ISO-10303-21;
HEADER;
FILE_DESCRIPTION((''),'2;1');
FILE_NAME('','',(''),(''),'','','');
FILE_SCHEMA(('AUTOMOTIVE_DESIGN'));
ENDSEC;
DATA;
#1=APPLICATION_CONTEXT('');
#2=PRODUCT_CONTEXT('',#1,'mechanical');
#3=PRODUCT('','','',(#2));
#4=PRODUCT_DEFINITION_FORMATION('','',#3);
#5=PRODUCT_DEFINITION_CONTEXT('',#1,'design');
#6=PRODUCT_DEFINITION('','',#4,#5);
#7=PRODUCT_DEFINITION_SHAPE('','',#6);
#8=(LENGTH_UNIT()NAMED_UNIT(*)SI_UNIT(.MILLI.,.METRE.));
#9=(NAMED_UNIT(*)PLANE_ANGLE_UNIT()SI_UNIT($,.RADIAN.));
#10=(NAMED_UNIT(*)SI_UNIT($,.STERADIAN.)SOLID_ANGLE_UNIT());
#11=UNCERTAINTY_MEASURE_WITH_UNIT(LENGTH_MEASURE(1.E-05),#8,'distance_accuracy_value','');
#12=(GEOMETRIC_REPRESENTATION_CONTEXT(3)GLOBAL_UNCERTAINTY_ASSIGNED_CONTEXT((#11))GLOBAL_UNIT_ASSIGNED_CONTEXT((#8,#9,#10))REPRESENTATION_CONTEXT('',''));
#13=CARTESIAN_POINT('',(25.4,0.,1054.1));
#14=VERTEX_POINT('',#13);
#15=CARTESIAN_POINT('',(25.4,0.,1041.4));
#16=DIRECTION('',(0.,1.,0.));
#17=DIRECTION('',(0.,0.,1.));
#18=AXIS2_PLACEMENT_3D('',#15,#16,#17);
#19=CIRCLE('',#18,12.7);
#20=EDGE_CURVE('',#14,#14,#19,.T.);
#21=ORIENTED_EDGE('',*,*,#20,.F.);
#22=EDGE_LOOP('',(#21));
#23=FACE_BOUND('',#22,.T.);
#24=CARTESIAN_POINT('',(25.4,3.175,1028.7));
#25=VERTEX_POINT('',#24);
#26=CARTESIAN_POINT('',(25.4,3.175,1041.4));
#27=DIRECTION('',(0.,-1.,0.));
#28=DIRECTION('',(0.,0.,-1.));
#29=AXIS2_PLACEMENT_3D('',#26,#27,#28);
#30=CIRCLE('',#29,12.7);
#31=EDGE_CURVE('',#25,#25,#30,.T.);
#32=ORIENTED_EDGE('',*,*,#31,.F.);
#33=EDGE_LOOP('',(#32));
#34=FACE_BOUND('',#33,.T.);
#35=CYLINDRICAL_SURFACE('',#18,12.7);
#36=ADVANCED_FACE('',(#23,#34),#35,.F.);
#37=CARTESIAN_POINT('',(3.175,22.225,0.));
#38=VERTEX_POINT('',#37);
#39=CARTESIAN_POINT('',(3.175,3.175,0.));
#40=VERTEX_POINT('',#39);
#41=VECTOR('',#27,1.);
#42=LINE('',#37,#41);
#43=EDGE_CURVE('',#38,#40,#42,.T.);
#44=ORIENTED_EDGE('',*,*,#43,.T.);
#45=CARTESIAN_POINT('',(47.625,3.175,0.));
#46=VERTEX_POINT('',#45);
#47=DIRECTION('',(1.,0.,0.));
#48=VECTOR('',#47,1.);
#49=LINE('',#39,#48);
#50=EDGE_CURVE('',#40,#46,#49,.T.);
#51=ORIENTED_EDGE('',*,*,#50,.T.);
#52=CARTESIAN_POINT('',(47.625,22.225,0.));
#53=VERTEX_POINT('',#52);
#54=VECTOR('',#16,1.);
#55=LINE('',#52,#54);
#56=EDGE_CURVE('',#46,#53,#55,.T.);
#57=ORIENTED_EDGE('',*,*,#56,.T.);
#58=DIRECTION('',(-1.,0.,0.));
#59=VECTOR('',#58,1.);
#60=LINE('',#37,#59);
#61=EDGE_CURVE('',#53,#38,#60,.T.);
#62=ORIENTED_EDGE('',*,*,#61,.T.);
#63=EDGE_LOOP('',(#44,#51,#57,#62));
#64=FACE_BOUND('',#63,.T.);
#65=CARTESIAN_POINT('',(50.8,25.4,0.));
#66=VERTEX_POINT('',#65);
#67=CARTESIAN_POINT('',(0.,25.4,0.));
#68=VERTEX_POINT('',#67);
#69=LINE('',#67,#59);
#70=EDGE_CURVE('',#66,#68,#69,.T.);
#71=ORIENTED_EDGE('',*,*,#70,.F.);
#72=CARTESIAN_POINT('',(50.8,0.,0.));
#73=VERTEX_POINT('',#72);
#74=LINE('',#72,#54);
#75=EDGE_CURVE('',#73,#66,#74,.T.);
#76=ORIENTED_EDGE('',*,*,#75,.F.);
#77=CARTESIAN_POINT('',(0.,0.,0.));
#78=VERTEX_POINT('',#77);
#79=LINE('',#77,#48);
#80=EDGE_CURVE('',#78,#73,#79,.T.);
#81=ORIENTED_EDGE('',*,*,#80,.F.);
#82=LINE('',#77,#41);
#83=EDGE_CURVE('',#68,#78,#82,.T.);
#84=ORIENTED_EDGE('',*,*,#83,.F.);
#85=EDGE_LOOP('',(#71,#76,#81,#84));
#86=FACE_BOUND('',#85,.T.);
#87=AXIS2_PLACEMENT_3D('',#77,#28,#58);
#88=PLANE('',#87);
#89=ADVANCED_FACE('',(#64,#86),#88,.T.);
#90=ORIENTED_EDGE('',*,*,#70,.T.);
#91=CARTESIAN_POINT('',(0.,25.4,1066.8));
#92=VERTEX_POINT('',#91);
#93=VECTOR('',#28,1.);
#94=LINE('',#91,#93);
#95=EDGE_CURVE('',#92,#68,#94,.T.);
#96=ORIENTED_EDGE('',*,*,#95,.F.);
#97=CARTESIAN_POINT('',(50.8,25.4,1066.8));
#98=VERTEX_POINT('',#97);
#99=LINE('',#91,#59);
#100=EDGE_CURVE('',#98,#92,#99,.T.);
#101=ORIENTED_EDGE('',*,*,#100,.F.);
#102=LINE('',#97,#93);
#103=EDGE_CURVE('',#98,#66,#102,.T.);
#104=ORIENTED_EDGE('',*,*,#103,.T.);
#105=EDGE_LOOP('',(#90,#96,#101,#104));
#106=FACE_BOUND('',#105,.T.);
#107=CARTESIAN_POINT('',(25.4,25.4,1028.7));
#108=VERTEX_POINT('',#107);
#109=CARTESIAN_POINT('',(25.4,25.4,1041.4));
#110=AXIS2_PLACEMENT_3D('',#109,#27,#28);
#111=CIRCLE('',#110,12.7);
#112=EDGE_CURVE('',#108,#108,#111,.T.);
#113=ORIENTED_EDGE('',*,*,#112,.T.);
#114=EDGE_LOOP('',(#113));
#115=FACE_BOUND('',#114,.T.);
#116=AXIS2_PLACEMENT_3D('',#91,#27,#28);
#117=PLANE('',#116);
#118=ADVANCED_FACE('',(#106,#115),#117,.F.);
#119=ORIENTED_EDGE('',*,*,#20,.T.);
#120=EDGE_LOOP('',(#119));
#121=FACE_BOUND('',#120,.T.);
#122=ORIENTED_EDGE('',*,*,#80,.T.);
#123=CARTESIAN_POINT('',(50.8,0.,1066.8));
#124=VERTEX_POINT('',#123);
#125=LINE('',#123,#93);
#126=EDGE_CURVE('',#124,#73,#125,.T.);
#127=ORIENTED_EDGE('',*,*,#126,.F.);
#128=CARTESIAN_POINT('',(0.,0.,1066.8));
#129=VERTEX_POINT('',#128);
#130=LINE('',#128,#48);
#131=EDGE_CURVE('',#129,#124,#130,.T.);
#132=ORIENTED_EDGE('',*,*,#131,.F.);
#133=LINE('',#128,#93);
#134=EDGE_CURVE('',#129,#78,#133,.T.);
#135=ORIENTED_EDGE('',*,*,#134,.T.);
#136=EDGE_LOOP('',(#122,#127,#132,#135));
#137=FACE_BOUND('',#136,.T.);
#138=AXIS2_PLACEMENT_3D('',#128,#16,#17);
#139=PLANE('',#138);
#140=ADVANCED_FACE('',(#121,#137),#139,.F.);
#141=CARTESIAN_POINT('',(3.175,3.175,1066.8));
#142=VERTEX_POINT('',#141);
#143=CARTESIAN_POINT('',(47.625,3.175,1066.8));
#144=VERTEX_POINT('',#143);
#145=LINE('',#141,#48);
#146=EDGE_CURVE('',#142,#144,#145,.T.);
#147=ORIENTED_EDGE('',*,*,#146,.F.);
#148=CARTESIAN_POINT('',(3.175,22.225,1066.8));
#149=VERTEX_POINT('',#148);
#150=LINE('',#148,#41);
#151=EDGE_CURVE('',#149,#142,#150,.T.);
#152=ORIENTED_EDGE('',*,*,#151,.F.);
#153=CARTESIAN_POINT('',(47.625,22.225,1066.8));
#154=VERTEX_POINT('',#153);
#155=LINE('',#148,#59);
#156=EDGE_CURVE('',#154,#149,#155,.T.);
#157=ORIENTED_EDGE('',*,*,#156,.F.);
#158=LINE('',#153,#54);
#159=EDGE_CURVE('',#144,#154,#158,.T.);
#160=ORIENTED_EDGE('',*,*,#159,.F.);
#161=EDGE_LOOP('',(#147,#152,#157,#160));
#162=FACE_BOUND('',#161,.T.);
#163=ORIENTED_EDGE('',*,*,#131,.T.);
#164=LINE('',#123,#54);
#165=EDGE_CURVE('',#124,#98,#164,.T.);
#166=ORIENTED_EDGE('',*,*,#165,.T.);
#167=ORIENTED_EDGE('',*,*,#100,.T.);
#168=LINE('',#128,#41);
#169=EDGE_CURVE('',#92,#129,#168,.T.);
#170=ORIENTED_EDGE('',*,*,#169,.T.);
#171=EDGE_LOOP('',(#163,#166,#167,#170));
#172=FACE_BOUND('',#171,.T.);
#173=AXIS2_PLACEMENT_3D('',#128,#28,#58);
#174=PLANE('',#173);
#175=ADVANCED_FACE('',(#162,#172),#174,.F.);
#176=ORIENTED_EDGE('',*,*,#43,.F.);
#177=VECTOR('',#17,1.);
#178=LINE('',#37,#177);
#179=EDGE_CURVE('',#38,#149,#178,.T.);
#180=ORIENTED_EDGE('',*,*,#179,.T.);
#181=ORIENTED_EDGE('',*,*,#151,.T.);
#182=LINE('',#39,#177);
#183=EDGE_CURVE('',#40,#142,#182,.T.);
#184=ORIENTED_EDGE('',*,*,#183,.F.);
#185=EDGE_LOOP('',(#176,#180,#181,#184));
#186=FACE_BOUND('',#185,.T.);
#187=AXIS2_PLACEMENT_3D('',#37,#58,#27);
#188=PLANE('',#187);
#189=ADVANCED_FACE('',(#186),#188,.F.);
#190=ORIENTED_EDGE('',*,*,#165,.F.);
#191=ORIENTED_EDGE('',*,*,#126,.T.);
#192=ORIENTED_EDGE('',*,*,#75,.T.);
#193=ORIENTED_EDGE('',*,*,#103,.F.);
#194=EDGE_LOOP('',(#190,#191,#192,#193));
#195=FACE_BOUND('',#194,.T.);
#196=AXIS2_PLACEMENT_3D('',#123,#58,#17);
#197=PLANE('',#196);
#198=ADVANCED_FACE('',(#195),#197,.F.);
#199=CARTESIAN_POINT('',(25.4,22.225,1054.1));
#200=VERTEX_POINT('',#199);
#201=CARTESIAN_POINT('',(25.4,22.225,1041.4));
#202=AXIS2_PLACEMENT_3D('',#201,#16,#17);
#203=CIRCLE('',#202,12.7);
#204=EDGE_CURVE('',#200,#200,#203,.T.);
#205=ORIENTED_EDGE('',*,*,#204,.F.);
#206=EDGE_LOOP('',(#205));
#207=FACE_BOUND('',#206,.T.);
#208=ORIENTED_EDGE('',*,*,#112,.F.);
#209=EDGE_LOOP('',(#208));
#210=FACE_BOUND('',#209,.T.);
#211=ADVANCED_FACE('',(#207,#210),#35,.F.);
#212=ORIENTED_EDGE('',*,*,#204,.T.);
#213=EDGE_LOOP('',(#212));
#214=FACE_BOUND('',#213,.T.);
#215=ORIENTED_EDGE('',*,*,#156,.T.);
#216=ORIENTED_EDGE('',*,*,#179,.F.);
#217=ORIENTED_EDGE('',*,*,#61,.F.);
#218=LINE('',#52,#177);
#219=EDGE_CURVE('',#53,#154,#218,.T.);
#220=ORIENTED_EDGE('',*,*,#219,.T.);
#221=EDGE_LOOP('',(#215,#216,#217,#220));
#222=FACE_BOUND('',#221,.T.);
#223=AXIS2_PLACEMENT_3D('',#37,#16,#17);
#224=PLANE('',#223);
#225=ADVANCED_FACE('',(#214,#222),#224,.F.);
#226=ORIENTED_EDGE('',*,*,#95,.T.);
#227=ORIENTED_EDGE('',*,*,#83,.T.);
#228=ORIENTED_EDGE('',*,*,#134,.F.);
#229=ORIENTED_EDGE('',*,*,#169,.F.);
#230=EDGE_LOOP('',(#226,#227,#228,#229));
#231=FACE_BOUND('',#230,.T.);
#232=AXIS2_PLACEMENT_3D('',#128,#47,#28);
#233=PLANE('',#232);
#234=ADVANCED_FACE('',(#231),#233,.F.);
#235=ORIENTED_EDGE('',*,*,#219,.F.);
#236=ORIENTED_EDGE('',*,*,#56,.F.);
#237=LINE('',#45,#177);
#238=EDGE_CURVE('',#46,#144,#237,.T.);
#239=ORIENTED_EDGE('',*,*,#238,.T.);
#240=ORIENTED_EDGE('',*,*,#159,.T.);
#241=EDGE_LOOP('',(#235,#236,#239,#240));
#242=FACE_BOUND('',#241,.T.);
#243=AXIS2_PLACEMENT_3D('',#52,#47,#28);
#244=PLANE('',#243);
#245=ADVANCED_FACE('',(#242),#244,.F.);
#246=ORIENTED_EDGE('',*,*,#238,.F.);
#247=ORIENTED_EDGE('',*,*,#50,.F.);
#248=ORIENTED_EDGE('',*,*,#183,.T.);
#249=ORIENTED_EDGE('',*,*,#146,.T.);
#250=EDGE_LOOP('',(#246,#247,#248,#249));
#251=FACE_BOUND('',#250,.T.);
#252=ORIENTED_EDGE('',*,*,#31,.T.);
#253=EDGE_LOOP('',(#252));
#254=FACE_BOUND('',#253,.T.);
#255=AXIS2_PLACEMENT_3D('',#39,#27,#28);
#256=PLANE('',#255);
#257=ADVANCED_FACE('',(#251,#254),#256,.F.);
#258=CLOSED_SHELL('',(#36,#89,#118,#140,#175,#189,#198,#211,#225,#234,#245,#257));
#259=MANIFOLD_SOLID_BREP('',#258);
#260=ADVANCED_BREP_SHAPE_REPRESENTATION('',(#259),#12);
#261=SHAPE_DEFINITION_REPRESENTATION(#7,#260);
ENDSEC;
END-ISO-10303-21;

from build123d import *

# Parameters (mm, degrees)
SKETCH1_W               = 50.8
SKETCH1_H               = 25.4
BOSS_EXTRUDE2_DEPTH     = 1066.8
CUT_EXTRUDE2_DEPTH      = 1069.310834917
CUT_EXTRUDE2_DEPTH_BACK = 1069.310834917
SKETCH3_W               = 44.45
SKETCH3_H               = 19.05
CUT_EXTRUDE3_DEPTH      = 1069.310834917
CUT_EXTRUDE3_DEPTH_BACK = 1069.310834917
SKETCH4_R               = 12.7


with BuildPart() as part:
    # Sketch1 → Boss-Extrude2 (new body)
    with BuildSketch(Plane.XY):
        with Locations((25.4, 12.7)):
            Rectangle(SKETCH1_W, SKETCH1_H)
    extrude(amount=BOSS_EXTRUDE2_DEPTH)

    # Sketch3 → Cut-Extrude2 (cut, two sides: drawn at the far end of the back side and taken through both)
    with BuildSketch(Plane.XY.offset(1066.8).offset(-CUT_EXTRUDE2_DEPTH_BACK)):
        with Locations((25.4, 12.7)):
            Rectangle(SKETCH3_W, SKETCH3_H)
    extrude(amount=CUT_EXTRUDE2_DEPTH + CUT_EXTRUDE2_DEPTH_BACK, mode=Mode.SUBTRACT)

    # Sketch4 → Cut-Extrude3 (cut, two sides: drawn at the far end of the back side and taken through both)
    with BuildSketch(Plane(origin=(0, 25.4, 0), x_dir=(1, 0, 0), z_dir=(0, 1, 0)).offset(-CUT_EXTRUDE3_DEPTH_BACK)):
        with Locations(Location((25.4, -1041.4, 0), (0, 0, 270))):
            Circle(SKETCH4_R)
    extrude(amount=CUT_EXTRUDE3_DEPTH + CUT_EXTRUDE3_DEPTH_BACK, mode=Mode.SUBTRACT)


solid = part.part
